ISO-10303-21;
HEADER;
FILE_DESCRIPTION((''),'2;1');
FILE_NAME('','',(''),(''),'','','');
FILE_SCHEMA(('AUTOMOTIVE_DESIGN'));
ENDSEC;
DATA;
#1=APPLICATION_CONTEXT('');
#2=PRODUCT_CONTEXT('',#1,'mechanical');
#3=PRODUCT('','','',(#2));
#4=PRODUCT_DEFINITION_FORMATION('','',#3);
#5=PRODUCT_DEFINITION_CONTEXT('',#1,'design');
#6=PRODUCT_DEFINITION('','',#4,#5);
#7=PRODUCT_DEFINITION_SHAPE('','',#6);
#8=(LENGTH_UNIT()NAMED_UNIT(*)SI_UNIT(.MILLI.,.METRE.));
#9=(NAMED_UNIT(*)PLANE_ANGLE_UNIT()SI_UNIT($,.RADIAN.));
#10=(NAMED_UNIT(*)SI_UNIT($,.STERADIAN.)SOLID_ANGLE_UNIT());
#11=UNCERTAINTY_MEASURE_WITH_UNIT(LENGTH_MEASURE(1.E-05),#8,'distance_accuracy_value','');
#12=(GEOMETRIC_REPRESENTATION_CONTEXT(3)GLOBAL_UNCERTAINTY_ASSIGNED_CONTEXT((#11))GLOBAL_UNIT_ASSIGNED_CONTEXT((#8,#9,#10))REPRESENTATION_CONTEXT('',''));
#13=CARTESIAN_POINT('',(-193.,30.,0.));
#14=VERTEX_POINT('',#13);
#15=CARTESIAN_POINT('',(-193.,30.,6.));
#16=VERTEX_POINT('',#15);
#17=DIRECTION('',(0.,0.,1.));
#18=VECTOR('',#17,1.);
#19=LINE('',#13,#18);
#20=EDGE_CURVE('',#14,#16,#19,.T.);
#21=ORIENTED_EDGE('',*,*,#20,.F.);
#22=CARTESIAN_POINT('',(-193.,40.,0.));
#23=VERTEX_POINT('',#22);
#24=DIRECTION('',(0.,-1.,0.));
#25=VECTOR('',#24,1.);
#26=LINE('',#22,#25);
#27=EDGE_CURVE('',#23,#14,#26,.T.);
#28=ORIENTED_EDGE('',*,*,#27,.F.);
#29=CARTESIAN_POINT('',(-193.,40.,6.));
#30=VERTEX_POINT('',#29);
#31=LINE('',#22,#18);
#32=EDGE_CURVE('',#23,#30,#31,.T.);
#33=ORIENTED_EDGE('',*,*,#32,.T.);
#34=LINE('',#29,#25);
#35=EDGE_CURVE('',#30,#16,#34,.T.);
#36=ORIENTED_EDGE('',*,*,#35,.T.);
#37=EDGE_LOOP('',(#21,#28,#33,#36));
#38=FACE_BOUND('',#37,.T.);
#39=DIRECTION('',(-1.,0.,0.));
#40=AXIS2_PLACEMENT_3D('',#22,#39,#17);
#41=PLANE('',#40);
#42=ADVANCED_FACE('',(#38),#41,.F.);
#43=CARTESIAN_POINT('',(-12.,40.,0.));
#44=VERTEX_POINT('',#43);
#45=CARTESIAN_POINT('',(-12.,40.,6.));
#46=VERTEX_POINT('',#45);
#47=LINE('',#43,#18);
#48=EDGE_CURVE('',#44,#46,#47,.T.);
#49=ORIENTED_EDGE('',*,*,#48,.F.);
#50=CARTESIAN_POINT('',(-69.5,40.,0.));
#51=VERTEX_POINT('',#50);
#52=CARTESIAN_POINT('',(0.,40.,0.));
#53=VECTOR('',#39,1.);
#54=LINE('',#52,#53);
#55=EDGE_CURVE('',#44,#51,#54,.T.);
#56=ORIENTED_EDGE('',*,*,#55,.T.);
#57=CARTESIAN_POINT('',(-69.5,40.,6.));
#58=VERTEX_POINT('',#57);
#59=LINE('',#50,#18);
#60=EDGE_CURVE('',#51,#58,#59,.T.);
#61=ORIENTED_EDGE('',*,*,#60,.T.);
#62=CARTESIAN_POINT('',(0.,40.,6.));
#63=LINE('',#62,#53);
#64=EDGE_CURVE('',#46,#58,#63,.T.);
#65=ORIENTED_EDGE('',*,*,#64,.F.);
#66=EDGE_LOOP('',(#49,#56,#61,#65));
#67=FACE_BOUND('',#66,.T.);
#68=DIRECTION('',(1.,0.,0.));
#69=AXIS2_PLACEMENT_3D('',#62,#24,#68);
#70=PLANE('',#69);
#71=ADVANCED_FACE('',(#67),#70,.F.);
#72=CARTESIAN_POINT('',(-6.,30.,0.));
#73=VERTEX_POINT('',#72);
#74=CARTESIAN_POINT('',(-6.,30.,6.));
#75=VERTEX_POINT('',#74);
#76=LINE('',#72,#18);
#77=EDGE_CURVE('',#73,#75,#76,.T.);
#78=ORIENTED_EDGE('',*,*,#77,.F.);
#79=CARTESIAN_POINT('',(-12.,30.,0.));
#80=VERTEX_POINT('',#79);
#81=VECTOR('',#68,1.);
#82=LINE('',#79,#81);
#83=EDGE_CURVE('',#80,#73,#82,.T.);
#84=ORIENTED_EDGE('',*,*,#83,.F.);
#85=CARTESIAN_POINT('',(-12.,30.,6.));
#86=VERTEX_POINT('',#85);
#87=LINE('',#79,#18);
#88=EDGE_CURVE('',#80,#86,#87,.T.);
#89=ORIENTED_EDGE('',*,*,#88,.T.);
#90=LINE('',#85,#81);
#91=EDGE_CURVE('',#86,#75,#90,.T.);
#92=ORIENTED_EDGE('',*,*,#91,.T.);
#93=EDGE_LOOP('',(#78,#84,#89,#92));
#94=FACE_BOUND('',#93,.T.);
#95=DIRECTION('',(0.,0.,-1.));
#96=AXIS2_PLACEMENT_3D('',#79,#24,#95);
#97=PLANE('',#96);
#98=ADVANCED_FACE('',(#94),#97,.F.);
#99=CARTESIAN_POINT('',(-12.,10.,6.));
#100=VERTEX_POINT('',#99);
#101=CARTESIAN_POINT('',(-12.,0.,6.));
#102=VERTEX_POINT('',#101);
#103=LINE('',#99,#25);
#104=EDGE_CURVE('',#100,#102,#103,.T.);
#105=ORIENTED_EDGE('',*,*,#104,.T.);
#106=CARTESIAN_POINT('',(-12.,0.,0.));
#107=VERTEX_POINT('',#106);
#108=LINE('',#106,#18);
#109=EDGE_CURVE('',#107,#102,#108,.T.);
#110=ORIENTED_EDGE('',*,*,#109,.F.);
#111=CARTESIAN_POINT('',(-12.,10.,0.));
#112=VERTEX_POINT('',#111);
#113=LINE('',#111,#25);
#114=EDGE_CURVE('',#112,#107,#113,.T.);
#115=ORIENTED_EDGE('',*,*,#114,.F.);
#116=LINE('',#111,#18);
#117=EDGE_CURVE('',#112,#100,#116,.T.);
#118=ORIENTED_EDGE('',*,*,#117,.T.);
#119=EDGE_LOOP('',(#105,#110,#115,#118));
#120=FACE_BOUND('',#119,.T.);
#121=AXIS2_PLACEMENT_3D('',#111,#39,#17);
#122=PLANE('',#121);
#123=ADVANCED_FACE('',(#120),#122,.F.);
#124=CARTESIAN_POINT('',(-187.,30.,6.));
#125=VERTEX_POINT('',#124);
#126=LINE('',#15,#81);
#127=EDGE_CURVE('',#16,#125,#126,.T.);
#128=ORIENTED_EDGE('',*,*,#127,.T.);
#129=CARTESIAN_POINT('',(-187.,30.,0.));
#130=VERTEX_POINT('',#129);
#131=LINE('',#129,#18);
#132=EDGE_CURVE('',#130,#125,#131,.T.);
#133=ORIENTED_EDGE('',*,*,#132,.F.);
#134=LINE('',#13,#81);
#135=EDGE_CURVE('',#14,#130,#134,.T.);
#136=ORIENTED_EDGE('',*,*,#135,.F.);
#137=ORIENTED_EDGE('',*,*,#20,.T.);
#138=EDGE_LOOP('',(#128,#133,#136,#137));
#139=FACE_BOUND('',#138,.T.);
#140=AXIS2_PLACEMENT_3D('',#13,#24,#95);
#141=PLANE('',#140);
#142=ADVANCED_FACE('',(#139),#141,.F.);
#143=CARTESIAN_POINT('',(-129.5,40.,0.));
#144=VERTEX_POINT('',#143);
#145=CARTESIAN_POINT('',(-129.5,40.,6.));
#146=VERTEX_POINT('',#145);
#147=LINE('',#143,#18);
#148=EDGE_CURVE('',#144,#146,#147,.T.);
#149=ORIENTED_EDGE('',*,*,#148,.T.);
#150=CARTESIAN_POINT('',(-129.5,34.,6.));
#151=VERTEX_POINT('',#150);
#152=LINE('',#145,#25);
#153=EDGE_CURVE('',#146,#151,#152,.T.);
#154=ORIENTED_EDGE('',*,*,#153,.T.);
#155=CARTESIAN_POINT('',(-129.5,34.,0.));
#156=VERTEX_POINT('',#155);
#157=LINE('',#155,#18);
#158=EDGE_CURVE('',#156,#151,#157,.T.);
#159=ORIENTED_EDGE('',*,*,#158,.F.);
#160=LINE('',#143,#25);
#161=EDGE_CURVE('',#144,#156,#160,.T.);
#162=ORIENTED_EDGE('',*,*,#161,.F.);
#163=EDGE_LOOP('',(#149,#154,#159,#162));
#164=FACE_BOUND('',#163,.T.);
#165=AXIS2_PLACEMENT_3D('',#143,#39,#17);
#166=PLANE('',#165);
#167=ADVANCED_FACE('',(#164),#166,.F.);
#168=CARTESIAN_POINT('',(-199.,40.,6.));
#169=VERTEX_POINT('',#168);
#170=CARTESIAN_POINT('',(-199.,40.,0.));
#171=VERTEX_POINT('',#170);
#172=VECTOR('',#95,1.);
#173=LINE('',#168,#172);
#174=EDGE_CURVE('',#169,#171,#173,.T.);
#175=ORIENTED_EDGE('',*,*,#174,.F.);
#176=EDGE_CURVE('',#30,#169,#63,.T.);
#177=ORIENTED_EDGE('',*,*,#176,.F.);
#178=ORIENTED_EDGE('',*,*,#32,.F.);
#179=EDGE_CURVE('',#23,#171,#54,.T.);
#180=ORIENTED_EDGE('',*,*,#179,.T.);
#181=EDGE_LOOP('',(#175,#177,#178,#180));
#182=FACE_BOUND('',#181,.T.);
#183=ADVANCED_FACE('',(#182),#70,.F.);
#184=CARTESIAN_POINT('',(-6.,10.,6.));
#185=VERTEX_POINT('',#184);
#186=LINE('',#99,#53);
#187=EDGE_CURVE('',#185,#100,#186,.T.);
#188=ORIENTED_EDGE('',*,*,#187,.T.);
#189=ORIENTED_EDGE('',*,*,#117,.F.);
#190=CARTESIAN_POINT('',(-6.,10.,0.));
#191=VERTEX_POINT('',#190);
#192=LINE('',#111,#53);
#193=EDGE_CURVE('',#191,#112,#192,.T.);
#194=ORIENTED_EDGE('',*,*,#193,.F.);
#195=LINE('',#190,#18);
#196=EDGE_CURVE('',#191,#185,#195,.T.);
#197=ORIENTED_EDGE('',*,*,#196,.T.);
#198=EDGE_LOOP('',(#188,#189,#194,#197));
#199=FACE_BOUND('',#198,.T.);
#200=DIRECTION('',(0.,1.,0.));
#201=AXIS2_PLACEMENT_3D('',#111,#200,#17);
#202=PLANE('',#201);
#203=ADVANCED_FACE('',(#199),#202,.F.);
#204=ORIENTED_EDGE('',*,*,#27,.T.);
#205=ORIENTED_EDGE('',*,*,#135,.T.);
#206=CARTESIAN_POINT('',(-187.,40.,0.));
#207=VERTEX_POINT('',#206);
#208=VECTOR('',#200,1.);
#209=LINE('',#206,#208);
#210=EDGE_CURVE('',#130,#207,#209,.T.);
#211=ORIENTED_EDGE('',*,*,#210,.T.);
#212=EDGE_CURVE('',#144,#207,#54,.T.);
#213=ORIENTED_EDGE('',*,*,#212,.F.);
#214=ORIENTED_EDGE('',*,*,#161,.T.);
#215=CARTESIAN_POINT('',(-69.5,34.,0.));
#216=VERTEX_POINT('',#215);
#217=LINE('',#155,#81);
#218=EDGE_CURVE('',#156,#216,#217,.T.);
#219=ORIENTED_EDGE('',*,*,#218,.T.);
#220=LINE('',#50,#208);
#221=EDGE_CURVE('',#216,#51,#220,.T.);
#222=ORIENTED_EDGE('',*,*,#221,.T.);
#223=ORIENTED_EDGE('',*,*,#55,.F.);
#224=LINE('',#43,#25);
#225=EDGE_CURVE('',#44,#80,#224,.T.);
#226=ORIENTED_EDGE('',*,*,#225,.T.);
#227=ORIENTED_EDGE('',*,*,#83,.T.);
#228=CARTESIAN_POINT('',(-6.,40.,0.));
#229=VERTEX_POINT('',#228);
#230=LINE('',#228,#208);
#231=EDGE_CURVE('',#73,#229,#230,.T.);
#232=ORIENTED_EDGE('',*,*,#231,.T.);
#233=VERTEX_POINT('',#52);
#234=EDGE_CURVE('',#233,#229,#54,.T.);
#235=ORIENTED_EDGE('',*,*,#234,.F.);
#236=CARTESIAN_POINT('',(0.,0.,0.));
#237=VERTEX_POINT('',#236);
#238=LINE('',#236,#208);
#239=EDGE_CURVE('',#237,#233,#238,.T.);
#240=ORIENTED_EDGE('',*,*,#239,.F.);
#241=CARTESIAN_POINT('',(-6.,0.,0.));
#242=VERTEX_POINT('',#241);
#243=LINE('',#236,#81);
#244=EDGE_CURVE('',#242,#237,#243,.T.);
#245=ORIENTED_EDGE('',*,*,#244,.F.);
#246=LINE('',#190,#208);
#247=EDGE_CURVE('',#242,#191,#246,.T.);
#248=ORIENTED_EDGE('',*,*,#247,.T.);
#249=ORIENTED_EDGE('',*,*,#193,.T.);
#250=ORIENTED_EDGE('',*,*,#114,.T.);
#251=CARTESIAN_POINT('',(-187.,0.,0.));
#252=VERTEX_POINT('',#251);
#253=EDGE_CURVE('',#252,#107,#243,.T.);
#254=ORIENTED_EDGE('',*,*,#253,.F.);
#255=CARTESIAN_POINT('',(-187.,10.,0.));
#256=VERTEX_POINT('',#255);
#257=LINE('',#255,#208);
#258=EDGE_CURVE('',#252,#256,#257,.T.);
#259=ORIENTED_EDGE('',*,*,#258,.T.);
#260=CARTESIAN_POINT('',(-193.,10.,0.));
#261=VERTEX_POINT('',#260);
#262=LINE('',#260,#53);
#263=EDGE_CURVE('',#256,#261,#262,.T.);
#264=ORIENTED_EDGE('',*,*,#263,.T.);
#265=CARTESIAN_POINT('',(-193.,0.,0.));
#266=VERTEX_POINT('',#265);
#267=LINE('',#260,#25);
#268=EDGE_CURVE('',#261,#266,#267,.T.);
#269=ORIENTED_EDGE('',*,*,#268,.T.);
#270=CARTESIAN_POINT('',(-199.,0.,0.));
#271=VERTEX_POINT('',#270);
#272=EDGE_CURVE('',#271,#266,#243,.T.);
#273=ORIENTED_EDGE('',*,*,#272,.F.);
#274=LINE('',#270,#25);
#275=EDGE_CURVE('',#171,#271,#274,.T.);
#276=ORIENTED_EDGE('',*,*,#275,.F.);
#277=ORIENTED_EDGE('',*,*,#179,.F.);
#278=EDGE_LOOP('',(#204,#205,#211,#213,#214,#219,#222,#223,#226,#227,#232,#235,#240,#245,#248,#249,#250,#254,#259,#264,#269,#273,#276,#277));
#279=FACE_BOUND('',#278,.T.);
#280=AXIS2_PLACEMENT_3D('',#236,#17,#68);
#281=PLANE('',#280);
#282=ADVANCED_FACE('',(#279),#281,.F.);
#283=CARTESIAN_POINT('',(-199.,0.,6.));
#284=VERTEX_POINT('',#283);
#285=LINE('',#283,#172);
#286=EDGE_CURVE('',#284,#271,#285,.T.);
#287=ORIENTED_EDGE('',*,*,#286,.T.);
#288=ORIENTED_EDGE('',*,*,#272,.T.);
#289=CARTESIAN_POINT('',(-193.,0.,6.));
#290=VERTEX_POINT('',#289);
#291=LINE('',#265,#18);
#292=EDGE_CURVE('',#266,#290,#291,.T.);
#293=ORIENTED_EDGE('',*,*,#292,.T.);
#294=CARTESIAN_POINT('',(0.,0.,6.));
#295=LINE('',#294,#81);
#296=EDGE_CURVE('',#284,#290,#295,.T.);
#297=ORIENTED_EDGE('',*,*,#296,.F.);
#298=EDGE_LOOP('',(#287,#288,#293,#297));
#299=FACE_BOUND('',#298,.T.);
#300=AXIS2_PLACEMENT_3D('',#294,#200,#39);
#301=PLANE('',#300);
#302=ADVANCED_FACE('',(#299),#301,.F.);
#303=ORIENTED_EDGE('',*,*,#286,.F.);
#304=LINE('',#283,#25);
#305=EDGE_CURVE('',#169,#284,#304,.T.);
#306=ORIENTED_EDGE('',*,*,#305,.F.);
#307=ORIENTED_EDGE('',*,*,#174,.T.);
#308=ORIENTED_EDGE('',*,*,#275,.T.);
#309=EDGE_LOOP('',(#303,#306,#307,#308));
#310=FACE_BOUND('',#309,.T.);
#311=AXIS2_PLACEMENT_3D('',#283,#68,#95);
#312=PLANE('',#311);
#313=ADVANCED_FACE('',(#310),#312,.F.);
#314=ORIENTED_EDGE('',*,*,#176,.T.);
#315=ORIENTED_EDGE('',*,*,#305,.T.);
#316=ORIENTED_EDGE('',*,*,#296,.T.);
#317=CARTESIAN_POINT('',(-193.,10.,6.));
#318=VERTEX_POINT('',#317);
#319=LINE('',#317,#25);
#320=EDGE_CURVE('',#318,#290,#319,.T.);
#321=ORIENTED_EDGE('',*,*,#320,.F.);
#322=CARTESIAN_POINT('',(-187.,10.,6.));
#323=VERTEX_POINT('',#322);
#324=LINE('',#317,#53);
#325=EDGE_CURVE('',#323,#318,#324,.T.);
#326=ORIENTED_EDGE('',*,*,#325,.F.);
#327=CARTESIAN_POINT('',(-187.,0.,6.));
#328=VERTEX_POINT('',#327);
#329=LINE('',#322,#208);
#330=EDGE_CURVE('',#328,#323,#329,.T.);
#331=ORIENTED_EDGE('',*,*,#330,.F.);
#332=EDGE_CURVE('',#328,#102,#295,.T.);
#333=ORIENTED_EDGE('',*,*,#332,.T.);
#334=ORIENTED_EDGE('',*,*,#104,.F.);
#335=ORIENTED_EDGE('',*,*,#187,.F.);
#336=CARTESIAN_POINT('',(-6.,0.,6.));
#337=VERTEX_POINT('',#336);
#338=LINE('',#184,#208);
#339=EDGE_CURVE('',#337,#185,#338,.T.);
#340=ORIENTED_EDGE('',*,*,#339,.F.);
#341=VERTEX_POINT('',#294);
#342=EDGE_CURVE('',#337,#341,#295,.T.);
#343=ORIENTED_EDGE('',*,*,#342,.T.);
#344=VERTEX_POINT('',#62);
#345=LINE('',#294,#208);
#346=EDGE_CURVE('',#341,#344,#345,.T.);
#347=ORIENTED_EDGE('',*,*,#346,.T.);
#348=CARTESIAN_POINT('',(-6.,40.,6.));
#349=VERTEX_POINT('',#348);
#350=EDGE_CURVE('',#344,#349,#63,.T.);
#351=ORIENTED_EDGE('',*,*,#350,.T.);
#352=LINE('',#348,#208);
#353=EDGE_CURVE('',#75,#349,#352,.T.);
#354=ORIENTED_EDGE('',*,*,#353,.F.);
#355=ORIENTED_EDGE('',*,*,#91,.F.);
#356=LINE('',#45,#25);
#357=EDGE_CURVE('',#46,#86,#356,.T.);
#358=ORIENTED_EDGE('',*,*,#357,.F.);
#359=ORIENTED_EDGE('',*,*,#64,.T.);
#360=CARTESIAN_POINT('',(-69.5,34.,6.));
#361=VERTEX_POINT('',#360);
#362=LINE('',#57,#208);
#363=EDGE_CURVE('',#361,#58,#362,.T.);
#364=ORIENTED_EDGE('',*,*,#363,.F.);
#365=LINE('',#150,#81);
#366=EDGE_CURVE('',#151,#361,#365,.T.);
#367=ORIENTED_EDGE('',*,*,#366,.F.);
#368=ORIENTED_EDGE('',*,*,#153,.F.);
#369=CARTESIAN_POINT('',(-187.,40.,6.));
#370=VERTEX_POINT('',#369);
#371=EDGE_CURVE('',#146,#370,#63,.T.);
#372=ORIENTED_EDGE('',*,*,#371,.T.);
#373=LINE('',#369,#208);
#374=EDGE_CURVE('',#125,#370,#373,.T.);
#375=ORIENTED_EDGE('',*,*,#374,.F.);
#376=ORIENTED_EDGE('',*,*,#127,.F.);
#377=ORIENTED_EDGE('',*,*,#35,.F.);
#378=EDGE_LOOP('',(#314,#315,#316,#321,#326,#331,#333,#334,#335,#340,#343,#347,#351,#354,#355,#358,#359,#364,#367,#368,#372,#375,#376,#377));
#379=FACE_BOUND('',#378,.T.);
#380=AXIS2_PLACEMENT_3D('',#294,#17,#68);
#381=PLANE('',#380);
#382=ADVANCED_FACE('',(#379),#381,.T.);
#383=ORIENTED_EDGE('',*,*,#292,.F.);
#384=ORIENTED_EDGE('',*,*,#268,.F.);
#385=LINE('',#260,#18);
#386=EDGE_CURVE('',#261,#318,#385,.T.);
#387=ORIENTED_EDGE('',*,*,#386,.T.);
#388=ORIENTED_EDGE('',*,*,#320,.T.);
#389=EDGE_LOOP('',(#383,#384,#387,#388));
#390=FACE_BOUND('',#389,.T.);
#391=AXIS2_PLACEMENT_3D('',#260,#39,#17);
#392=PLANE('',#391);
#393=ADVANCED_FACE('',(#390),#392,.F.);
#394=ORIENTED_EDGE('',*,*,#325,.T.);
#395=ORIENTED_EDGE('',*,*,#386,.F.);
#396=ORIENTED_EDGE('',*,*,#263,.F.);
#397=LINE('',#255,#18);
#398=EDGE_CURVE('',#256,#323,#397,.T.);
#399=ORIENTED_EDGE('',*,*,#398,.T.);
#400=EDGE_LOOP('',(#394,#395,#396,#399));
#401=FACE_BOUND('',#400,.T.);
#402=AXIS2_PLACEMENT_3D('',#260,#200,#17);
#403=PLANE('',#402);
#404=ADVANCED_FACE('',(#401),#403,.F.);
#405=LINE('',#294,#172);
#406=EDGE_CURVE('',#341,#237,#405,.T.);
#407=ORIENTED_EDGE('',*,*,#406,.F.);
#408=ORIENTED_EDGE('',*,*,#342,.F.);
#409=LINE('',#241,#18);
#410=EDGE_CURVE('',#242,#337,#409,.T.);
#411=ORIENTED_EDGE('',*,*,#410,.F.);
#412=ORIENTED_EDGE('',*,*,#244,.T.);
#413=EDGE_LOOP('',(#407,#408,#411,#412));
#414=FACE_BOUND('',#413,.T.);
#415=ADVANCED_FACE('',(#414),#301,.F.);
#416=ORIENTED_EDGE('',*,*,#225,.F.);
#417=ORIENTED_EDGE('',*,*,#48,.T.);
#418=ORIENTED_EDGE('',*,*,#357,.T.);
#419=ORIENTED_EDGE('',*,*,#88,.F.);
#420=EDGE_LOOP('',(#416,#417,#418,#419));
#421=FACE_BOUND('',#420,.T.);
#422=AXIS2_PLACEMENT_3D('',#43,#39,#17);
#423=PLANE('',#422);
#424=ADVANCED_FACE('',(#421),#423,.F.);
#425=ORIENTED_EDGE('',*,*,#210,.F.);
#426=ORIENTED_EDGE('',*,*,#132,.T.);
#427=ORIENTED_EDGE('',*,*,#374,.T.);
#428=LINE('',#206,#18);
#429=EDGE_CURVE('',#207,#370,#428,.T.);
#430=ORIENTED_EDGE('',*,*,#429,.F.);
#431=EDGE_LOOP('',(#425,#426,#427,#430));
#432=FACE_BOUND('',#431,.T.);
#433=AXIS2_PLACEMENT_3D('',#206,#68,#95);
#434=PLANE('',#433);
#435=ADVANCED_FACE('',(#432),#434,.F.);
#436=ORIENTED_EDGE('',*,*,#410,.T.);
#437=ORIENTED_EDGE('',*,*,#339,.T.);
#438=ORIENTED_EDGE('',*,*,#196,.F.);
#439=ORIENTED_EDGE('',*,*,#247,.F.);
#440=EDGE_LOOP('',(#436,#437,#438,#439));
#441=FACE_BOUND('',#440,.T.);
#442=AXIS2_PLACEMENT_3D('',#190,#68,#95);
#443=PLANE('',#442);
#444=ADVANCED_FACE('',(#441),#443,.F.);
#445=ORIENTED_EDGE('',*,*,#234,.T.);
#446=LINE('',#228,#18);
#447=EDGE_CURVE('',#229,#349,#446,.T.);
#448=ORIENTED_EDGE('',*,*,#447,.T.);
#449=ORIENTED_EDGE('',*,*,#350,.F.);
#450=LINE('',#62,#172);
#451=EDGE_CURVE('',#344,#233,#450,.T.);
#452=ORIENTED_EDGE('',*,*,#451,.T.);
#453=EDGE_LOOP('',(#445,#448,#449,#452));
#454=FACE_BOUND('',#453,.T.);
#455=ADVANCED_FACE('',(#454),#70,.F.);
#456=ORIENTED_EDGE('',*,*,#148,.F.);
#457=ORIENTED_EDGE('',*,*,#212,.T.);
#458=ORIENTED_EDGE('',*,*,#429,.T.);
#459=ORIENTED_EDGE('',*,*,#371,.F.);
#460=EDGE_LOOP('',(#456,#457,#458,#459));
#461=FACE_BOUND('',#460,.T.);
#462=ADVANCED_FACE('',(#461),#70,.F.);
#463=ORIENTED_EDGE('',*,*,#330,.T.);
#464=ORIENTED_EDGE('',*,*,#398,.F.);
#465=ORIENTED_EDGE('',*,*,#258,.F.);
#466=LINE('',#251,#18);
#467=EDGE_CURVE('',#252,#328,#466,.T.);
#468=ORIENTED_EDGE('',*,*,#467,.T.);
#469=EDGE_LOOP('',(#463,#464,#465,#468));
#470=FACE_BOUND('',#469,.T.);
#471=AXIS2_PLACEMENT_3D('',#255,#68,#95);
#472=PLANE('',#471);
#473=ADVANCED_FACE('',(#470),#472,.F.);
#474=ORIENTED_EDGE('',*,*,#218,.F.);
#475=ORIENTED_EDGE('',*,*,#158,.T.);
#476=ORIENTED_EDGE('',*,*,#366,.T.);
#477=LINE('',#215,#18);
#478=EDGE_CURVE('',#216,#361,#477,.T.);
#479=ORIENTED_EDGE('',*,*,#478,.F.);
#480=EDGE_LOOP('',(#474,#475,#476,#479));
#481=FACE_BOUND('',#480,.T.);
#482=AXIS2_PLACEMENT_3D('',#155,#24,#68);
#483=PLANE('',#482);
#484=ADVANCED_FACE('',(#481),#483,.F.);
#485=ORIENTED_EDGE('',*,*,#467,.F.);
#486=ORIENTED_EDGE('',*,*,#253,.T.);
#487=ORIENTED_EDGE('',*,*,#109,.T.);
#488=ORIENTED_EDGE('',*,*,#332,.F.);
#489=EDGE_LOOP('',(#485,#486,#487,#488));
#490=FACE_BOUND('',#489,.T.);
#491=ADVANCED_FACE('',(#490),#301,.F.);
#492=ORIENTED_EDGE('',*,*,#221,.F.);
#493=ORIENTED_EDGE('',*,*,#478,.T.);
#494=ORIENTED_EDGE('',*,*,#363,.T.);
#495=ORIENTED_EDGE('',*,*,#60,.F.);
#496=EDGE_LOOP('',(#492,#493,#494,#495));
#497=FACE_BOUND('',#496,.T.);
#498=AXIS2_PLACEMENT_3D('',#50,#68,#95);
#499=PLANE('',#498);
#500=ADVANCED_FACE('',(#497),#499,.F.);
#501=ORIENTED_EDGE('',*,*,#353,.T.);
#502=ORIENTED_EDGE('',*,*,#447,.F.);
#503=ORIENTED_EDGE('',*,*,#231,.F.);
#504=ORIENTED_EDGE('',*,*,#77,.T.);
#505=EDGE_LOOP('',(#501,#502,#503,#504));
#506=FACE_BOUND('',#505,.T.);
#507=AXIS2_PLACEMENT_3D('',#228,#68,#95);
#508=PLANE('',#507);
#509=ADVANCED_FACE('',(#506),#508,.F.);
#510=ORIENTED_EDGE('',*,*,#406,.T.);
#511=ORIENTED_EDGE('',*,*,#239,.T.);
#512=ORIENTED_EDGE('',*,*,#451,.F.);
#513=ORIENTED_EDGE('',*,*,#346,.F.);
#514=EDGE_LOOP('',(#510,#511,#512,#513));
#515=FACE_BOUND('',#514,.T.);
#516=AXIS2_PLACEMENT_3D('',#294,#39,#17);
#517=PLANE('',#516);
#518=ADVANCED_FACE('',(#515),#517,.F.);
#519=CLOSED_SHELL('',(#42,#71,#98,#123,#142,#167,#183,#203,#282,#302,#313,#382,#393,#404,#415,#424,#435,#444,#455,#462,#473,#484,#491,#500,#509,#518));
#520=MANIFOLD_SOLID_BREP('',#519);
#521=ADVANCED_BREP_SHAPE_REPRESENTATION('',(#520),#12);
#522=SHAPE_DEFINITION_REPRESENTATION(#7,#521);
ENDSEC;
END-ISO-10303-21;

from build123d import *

# Parameters (mm, degrees)
SKETCH1_W            = 199
SKETCH1_H            = 40
BOSS_EXTRUDE1_DEPTH  = 6
SKETCH2_W            = 6
SKETCH2_H            = 10
CUT_EXTRUDE1_DEPTH   = 204.068953806
LPATTERN1_COUNT      = 2
LPATTERN1_PITCH      = 181
LPATTERN1_COUNT_DIR2 = 2
LPATTERN1_PITCH_DIR2 = 30
SKETCH3_W            = 60
SKETCH3_H            = 6
CUT_EXTRUDE2_DEPTH   = 204.068953806


with BuildPart() as part:
    # Sketch1 → Boss-Extrude1 (new body)
    with BuildSketch(Plane.XY):
        with Locations((-99.5, 20)):
            Rectangle(SKETCH1_W, SKETCH1_H)
    extrude(amount=BOSS_EXTRUDE1_DEPTH)

    # Sketch2 → Cut-Extrude1 (cut, through all)
    with BuildSketch(Plane.XY.offset(6)):
        with Locations((-190, 35)):
            Rectangle(SKETCH2_W, SKETCH2_H)
    cut_extrude1 = extrude(amount=-CUT_EXTRUDE1_DEPTH, mode=Mode.SUBTRACT)

    # LPattern1: Cut-Extrude1 2 × 2
    with Locations(*[(i * LPATTERN1_PITCH, -j * LPATTERN1_PITCH_DIR2, 0) for i in range(LPATTERN1_COUNT) for j in range(LPATTERN1_COUNT_DIR2) if (i, j) != (0, 0)]):
        add(cut_extrude1, mode=Mode.SUBTRACT)

    # Sketch3 → Cut-Extrude2 (cut, through all)
    with BuildSketch(Plane.XY.offset(6)):
        with Locations((-99.5, 37)):
            Rectangle(SKETCH3_W, SKETCH3_H)
    extrude(amount=-CUT_EXTRUDE2_DEPTH, mode=Mode.SUBTRACT)


solid = part.part
